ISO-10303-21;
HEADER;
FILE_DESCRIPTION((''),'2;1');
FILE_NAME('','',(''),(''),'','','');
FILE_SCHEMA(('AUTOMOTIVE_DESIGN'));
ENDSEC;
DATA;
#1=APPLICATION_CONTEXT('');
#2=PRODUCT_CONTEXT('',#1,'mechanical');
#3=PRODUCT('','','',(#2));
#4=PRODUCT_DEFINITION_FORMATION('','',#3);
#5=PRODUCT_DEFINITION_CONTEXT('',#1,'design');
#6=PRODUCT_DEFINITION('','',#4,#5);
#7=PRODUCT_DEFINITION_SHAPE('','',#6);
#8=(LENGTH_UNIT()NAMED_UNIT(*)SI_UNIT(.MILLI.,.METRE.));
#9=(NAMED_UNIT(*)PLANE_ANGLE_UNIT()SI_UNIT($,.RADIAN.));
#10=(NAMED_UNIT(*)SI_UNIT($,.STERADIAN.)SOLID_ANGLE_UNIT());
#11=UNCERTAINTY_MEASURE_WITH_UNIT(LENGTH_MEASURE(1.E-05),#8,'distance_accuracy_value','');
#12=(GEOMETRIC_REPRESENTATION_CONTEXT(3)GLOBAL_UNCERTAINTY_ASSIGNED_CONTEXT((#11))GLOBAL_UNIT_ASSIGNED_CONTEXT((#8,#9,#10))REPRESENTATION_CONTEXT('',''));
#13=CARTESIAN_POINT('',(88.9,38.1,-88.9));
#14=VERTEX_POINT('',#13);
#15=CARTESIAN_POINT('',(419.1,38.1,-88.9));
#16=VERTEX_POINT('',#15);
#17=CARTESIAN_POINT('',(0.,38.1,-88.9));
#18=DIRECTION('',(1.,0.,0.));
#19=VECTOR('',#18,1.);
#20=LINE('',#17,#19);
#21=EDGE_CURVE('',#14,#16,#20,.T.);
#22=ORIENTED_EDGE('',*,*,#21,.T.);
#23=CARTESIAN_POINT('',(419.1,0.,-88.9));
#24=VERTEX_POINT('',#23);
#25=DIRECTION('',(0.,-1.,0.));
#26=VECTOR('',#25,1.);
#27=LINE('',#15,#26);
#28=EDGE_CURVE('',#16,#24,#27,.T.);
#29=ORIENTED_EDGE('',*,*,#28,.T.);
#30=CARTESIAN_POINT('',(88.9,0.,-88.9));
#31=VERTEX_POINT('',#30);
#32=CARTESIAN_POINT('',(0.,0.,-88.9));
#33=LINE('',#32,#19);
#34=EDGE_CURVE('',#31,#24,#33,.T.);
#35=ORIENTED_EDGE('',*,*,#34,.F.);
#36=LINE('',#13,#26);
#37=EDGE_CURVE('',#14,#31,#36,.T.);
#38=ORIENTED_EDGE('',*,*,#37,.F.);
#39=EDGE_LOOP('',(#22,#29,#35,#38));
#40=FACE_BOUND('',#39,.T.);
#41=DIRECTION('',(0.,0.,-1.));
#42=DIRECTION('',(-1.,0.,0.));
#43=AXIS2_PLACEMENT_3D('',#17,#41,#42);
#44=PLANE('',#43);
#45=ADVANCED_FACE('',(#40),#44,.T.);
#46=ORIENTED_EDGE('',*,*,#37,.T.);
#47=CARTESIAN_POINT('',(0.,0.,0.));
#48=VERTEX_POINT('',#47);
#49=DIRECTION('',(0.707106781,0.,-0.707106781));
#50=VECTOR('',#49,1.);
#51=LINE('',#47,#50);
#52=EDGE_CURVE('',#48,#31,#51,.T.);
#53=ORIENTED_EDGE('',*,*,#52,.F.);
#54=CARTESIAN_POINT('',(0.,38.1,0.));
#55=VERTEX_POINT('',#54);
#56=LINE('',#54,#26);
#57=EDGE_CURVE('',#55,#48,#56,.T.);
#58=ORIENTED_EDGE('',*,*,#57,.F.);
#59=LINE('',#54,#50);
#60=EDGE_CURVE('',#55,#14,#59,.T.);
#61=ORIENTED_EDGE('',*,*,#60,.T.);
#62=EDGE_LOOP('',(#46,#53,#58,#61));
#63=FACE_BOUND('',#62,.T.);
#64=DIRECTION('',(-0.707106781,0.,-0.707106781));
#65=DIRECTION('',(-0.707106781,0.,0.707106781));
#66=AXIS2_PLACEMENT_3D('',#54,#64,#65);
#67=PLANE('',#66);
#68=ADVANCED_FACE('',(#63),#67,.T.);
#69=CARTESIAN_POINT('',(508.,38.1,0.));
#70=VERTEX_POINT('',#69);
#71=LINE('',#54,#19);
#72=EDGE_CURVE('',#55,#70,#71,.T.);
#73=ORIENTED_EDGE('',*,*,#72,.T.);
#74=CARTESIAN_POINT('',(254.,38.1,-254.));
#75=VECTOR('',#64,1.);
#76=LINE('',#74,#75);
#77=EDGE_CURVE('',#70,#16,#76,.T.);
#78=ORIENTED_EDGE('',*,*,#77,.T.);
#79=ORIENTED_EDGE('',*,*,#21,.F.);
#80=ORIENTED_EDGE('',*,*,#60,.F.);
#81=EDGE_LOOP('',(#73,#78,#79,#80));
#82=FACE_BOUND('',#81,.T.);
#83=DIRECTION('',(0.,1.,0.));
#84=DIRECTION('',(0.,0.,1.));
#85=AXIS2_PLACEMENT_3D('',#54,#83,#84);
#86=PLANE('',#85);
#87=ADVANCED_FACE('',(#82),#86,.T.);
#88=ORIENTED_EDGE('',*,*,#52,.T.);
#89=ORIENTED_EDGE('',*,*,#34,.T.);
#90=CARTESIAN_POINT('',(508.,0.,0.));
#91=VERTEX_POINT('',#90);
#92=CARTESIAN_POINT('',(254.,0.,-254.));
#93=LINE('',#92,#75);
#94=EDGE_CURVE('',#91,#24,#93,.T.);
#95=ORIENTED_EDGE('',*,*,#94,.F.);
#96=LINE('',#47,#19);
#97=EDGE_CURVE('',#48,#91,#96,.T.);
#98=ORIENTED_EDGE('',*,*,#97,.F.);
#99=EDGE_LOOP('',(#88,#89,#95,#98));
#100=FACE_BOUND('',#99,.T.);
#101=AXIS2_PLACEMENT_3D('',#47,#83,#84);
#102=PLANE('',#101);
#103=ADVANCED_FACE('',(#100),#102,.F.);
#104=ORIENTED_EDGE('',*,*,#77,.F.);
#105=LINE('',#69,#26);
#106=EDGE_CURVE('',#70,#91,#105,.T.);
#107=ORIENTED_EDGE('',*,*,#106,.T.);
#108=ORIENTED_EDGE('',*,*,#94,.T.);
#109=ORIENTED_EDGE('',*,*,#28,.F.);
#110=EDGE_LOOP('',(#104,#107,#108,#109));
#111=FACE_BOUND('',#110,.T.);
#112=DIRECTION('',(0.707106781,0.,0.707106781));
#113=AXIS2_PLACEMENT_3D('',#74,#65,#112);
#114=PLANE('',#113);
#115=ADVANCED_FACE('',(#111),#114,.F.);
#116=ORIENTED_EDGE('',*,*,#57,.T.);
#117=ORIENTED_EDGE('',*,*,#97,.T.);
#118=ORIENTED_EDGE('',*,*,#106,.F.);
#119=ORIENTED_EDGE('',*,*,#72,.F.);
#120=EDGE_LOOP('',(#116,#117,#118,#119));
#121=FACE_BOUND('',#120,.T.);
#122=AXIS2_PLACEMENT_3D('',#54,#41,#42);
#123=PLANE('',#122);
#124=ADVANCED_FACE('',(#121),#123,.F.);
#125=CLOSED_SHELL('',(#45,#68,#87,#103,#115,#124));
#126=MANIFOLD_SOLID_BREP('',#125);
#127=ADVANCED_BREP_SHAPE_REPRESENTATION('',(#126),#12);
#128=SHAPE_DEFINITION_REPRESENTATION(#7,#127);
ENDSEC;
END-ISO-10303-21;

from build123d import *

# Parameters (mm, degrees)
BOSS_EXTRUDE1_DEPTH = 38.1


with BuildPart() as part:
    # Sketch1 → Boss-Extrude1 (new body)
    with BuildSketch(Plane(origin=(0, 0, 0), x_dir=(1, 0, 0), z_dir=(0, 1, 0))):
        Polygon((88.9, 88.9), (0, 0), (508, 0), (419.1, 88.9), align=None)
    extrude(amount=BOSS_EXTRUDE1_DEPTH)


solid = part.part
